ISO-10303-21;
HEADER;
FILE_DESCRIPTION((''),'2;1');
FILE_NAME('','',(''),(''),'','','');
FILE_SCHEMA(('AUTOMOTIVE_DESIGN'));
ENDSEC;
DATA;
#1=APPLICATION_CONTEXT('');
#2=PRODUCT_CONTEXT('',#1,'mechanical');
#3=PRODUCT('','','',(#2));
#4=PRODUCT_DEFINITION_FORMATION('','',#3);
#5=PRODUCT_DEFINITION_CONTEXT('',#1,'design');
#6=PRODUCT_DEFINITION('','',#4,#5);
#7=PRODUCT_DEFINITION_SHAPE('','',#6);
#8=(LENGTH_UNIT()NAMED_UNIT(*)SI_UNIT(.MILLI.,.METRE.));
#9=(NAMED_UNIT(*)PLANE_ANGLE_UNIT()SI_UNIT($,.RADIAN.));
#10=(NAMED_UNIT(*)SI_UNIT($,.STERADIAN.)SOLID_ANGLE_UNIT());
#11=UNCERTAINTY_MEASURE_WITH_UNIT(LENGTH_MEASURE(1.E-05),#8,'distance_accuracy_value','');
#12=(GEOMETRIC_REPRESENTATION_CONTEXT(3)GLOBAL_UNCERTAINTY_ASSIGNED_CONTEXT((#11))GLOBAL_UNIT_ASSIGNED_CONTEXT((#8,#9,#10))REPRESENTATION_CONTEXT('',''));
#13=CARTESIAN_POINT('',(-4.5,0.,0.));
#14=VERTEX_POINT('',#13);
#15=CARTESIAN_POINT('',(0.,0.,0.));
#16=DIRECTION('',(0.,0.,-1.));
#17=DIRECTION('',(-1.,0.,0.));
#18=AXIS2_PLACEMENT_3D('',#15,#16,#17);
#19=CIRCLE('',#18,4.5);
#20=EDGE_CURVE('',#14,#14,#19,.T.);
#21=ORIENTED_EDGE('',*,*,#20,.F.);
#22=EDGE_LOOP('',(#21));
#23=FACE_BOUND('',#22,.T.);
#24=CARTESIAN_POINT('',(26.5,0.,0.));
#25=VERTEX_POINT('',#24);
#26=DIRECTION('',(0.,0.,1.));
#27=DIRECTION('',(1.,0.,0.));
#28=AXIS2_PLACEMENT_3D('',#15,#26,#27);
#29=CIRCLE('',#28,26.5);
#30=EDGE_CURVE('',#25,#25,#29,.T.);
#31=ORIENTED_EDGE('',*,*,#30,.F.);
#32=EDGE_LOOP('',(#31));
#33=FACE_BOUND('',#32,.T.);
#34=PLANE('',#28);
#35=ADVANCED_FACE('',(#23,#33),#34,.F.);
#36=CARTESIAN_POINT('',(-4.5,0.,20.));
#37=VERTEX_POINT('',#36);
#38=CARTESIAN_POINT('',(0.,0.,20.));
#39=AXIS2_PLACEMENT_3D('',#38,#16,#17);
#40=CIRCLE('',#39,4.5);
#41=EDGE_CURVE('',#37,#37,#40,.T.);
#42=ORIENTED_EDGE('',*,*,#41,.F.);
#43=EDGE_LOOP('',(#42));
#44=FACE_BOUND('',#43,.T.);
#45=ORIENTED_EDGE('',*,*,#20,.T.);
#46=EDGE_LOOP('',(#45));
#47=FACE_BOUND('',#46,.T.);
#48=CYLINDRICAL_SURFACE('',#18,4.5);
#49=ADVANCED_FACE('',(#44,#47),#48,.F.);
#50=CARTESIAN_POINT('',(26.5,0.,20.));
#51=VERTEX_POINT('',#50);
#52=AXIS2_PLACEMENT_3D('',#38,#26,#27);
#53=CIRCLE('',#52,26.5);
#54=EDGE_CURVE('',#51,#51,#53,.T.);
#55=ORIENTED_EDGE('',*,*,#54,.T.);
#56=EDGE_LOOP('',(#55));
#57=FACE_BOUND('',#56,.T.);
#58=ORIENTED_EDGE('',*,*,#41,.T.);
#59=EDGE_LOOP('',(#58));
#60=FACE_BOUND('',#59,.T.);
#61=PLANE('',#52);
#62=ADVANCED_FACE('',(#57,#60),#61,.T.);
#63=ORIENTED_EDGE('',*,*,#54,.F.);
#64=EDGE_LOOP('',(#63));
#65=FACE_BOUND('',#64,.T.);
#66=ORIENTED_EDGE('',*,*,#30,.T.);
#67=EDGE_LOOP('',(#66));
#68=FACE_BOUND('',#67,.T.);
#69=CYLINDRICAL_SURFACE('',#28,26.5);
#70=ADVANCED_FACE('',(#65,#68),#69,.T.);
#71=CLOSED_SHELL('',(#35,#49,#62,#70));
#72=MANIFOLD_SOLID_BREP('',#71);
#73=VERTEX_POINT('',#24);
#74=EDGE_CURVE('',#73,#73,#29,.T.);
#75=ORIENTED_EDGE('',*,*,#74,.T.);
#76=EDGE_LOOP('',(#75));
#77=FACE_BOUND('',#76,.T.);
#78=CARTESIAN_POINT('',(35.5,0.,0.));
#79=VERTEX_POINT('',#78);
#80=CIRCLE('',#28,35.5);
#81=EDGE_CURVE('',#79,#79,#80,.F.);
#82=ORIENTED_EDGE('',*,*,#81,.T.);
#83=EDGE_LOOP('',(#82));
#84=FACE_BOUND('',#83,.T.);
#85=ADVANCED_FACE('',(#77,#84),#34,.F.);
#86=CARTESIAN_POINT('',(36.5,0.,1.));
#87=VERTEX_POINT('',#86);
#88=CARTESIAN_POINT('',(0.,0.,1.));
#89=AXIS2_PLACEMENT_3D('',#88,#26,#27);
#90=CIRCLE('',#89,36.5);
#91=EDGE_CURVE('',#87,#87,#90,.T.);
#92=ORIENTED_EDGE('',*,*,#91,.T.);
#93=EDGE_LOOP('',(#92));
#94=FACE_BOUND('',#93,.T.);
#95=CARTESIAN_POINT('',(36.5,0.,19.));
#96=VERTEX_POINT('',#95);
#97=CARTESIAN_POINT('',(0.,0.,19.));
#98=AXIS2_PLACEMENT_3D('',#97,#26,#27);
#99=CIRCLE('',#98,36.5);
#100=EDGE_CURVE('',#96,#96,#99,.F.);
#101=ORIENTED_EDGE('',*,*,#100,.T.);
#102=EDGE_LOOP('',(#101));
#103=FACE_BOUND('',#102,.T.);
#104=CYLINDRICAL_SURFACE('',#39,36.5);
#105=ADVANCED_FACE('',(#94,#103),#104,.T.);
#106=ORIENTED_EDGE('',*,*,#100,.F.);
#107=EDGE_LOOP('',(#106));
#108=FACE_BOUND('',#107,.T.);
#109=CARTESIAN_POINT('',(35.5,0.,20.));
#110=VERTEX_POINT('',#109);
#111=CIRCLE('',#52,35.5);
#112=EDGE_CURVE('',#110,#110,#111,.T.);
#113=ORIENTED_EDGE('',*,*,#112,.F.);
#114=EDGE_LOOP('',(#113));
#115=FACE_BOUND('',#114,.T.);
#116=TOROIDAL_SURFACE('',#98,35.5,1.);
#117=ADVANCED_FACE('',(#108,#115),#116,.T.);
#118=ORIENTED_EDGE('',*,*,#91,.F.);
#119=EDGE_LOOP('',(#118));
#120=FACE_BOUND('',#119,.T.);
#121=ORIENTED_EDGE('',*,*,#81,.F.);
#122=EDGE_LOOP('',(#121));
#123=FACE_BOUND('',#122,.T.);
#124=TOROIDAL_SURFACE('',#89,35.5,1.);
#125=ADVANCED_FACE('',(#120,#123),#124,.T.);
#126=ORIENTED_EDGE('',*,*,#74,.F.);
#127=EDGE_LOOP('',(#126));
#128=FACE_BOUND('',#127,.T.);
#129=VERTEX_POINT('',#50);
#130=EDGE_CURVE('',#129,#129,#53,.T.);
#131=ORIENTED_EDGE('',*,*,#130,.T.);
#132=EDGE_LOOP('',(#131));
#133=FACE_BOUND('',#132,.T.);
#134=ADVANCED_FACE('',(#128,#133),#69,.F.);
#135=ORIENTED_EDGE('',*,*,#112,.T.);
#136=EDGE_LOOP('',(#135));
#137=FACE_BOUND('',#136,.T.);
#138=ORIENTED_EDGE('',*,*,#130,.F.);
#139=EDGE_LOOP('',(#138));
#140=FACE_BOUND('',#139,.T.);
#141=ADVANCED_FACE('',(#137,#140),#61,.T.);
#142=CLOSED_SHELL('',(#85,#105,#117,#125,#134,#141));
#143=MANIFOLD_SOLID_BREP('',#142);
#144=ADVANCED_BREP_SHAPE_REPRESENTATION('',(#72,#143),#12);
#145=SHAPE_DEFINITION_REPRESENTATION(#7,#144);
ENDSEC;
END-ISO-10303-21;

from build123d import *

# Parameters (mm, degrees)
ESQUISSE1_R             = 36.5
BOSS_EXTRU_1_DEPTH      = 20
ESQUISSE2_R             = 26.5
ENL_V_MAT_EXTRU_2_DEPTH = 20
ESQUISSE4_R             = 26.5
BOSS_EXTRU_3_DEPTH      = 20
ESQUISSE9_W             = 4.5
ESQUISSE9_H             = 20
CONG_1_R                = 1


with BuildPart() as part:
    # Esquisse1 → Boss.-Extru.1 (new body)
    with BuildSketch(Plane.XY):
        Circle(ESQUISSE1_R)
    extrude(amount=BOSS_EXTRU_1_DEPTH)

    # Esquisse2 → Enlèv. mat.-Extru.2 (cut)
    with BuildSketch(Plane.XY.offset(20)):
        Circle(ESQUISSE2_R)
    extrude(amount=-ENL_V_MAT_EXTRU_2_DEPTH, mode=Mode.SUBTRACT)

    # Congé1
    cong_1_edges = [part.edges().sort_by_distance(p)[0] for p in [
        (-36.5, 0, 0),
        (-36.5, 0, 20),
    ]]
    fillet(cong_1_edges, radius=CONG_1_R)


with BuildPart() as body_2:
    # Esquisse4 → Boss.-Extru.3 (new body)
    with BuildSketch(Plane.XY.offset(20)):
        Circle(ESQUISSE4_R)
    extrude(amount=-BOSS_EXTRU_3_DEPTH)

    # Esquisse9 → Dégagement M81 (revolve, cut)
    with BuildSketch(Plane.YZ):
        with Locations((2.25, 10)):
            Rectangle(ESQUISSE9_W, ESQUISSE9_H)
    revolve(axis=Axis((0, 0, -6.35), (0, 0, 1)), mode=Mode.SUBTRACT)


solid = Compound([part.part, body_2.part])
